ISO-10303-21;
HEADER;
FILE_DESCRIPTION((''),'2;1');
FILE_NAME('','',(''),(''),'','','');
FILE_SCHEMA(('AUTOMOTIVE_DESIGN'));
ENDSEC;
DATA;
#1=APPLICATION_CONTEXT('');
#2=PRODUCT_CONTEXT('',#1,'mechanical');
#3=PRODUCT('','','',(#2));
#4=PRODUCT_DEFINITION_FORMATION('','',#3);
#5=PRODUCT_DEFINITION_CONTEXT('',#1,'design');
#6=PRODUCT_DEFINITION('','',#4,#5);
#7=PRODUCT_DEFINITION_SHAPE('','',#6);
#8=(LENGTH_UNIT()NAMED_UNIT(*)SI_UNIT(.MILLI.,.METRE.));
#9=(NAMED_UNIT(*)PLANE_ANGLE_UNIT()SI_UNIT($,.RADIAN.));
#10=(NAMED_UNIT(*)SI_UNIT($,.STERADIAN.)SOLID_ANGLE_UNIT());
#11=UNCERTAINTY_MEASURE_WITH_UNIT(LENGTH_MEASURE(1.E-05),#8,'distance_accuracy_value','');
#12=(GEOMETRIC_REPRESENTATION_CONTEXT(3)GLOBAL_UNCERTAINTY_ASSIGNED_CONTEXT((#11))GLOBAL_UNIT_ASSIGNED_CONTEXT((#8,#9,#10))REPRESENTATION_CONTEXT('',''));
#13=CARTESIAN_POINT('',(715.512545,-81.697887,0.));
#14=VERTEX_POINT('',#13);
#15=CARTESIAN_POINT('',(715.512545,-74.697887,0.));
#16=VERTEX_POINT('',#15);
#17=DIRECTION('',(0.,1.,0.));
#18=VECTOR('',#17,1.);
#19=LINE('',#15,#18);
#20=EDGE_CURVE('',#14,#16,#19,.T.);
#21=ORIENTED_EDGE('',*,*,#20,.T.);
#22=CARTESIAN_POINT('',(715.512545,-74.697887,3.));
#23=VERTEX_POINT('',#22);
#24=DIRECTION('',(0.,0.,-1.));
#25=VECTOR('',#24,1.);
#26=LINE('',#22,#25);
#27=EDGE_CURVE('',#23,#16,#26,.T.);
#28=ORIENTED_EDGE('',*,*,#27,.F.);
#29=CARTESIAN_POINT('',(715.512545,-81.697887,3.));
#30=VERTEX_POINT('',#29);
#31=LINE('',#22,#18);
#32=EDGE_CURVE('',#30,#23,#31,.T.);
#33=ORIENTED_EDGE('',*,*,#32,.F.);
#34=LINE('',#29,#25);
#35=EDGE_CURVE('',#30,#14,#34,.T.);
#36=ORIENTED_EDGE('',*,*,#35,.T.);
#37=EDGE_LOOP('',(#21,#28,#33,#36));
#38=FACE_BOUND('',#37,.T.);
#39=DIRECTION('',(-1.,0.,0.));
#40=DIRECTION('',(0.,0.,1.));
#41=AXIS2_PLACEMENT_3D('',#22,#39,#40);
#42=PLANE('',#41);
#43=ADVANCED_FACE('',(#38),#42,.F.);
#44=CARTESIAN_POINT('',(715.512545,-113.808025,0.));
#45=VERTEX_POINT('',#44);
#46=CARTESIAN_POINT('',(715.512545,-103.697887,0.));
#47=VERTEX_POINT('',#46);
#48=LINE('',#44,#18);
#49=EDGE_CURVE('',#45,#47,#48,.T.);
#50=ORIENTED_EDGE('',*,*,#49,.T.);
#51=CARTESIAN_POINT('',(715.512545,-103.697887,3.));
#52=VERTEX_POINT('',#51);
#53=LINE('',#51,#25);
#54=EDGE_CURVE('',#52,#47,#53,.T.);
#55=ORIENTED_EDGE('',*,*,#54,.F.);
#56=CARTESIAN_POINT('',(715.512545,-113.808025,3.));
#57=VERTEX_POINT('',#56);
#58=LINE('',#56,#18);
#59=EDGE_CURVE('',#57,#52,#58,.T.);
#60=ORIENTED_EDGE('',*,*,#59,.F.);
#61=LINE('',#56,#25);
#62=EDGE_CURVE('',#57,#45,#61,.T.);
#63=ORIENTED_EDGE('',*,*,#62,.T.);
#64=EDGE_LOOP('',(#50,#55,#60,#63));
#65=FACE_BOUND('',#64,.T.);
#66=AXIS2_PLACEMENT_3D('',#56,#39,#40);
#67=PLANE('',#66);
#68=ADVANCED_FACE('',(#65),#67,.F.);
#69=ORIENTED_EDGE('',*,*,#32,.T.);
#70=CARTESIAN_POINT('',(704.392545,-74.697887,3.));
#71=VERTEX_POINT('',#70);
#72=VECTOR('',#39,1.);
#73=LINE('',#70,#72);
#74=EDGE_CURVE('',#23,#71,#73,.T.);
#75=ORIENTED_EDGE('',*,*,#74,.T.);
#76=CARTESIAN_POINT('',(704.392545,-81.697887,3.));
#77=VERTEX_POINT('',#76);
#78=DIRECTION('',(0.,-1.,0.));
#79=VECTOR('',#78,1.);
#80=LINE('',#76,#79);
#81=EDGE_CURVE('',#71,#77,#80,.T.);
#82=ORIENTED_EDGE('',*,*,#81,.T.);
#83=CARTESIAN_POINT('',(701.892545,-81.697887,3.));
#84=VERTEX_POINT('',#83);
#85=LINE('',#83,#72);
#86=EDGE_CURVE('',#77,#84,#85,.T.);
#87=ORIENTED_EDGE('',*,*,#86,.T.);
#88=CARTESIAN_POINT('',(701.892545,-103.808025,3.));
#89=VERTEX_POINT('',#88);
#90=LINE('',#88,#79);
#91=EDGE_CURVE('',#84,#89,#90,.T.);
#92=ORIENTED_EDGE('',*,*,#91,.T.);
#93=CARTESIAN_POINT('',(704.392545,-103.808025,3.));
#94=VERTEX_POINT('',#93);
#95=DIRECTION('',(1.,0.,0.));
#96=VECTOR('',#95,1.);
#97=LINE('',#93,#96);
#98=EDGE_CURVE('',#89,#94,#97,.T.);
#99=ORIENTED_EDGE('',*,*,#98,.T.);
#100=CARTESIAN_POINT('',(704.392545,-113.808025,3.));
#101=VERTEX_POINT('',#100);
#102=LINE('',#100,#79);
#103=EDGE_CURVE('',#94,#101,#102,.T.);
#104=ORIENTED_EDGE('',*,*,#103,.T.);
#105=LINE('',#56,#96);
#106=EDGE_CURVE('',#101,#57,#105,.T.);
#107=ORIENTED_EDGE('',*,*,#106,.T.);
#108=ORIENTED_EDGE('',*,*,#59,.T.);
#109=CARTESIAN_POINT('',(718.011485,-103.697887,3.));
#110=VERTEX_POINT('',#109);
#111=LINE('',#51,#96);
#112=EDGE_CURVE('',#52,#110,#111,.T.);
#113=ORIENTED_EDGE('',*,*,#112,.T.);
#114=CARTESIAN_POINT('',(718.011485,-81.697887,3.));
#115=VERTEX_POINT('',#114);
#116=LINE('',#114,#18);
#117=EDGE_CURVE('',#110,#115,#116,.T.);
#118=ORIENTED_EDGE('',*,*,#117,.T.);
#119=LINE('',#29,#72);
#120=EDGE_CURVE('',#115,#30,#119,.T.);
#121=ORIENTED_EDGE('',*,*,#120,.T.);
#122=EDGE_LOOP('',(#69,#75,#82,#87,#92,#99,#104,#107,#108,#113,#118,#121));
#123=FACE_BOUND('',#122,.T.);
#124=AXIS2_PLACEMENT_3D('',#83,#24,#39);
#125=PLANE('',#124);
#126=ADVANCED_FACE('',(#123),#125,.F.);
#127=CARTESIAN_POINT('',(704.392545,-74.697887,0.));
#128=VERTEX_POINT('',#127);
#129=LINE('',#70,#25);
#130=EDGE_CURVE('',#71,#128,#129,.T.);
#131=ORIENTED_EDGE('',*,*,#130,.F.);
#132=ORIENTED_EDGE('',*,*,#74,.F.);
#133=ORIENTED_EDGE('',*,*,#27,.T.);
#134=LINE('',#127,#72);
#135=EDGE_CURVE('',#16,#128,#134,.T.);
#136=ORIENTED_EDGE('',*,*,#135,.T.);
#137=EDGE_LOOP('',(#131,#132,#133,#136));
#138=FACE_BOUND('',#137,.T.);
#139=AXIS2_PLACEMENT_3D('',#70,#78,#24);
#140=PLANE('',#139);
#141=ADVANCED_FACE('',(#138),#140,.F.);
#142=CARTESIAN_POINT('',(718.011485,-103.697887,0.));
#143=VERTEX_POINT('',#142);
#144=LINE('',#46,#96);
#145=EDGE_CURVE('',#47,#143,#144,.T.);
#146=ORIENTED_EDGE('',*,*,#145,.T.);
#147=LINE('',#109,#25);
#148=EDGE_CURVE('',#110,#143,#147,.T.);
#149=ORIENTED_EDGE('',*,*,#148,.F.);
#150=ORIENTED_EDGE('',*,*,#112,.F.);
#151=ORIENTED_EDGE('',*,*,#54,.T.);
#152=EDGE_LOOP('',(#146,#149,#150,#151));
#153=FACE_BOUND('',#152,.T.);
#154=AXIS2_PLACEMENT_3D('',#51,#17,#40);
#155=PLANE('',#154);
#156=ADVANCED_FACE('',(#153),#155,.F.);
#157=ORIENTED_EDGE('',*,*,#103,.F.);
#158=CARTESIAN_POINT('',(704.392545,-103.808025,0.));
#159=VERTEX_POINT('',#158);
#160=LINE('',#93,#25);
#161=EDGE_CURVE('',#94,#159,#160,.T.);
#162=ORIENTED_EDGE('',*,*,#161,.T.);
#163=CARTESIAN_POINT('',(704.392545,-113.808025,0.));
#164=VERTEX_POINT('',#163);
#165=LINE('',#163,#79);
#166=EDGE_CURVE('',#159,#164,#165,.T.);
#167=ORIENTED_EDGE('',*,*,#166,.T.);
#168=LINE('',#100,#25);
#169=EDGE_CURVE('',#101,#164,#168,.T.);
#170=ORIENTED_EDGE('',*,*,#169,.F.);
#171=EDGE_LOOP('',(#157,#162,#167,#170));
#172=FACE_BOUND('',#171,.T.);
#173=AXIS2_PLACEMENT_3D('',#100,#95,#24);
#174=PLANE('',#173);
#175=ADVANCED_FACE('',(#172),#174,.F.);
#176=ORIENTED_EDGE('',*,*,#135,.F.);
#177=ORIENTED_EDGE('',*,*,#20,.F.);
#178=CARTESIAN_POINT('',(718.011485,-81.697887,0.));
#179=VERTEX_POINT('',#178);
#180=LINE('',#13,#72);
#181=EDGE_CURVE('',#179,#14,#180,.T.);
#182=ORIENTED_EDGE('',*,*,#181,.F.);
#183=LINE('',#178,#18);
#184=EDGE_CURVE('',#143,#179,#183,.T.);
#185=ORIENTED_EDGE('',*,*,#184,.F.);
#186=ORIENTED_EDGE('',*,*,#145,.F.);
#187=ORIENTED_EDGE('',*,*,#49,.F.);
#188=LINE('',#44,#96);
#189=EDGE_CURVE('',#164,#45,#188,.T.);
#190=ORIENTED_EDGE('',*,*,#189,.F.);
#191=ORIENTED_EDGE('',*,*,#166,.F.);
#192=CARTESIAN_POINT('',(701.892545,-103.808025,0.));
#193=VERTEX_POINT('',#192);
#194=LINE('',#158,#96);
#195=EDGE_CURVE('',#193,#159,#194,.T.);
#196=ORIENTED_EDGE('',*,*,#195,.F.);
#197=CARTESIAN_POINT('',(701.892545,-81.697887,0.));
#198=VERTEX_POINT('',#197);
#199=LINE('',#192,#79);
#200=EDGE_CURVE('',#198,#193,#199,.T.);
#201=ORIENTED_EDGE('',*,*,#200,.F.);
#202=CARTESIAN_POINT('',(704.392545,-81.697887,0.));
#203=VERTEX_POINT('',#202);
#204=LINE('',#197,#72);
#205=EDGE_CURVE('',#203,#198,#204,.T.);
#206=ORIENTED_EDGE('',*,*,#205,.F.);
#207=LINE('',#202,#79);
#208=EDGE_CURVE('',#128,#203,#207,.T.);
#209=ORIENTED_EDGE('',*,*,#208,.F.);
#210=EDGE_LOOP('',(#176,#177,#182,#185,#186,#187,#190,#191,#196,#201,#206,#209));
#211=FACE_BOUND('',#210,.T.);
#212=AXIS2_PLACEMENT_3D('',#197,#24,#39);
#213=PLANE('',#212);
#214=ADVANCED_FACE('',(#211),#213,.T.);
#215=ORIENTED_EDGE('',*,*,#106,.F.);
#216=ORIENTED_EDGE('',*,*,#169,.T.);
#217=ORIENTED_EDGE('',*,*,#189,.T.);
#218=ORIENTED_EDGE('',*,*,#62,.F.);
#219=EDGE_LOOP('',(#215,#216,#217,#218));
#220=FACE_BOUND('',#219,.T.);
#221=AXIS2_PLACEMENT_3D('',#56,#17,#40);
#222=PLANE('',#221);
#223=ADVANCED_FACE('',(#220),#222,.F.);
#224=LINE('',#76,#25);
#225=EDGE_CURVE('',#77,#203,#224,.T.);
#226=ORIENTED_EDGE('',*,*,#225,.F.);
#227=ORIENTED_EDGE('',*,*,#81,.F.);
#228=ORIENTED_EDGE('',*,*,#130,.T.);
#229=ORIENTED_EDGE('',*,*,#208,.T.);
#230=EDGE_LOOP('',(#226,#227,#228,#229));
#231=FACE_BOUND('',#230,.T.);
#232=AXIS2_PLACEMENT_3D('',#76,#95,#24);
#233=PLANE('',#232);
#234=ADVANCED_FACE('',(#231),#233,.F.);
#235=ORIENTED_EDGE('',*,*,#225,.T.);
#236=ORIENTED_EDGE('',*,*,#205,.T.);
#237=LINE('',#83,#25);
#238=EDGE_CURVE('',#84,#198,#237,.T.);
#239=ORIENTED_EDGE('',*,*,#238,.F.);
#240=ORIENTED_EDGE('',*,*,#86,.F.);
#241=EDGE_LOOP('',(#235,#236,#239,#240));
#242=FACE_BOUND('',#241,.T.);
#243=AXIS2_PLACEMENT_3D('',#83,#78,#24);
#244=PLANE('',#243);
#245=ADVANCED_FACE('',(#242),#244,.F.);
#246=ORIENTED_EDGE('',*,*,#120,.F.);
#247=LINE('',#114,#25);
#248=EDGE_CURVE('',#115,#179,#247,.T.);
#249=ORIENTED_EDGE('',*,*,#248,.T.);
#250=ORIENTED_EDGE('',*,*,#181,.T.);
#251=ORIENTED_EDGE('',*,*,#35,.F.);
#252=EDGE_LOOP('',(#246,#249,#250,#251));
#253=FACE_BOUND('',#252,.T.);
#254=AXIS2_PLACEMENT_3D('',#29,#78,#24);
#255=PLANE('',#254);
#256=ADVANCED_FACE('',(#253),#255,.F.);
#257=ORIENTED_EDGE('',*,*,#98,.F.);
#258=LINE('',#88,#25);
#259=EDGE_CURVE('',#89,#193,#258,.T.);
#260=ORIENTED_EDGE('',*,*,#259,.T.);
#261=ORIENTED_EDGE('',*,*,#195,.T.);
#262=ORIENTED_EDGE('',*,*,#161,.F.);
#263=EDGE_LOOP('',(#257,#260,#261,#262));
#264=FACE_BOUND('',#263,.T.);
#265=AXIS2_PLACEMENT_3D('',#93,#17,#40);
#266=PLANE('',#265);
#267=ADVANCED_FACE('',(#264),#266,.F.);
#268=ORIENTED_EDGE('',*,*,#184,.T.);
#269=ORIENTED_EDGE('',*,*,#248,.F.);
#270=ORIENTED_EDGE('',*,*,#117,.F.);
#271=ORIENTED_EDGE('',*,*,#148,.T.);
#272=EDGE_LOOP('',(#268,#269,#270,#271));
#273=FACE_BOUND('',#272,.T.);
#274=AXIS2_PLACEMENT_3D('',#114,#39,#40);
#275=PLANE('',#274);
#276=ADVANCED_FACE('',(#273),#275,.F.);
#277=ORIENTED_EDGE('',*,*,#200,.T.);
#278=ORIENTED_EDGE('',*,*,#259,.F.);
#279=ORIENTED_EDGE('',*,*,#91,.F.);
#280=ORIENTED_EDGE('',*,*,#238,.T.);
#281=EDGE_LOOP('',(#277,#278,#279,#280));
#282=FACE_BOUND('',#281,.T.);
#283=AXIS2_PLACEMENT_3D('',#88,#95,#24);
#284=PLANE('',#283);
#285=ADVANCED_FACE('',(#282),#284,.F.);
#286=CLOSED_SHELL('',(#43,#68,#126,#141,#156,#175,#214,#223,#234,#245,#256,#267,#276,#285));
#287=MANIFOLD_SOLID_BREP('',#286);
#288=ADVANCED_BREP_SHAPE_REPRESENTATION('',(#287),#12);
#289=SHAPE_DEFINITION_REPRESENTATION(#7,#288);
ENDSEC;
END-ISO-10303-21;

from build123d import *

# Parameters (mm, degrees)
BASE_EXTRUDE_DEPTH = 3


with BuildPart() as part:
    # Sketch1 → Base-Extrude (new body)
    with BuildSketch(Plane.XY):
        Polygon((704.392545339, -103.808025339), (701.892545339, -103.808025339), (701.892545339, -81.697887207), (704.392545339, -81.697887207), (704.392545339, -74.697887207), (715.512545339, -74.697887207), (715.512545339, -81.697887207), (718.011485221, -81.697887207), (718.011485221, -103.697887207), (715.512545339, -103.697887207), (715.512545339, -113.808025339), (704.392545339, -113.808025339), align=None)
    extrude(amount=BASE_EXTRUDE_DEPTH)


solid = part.part
